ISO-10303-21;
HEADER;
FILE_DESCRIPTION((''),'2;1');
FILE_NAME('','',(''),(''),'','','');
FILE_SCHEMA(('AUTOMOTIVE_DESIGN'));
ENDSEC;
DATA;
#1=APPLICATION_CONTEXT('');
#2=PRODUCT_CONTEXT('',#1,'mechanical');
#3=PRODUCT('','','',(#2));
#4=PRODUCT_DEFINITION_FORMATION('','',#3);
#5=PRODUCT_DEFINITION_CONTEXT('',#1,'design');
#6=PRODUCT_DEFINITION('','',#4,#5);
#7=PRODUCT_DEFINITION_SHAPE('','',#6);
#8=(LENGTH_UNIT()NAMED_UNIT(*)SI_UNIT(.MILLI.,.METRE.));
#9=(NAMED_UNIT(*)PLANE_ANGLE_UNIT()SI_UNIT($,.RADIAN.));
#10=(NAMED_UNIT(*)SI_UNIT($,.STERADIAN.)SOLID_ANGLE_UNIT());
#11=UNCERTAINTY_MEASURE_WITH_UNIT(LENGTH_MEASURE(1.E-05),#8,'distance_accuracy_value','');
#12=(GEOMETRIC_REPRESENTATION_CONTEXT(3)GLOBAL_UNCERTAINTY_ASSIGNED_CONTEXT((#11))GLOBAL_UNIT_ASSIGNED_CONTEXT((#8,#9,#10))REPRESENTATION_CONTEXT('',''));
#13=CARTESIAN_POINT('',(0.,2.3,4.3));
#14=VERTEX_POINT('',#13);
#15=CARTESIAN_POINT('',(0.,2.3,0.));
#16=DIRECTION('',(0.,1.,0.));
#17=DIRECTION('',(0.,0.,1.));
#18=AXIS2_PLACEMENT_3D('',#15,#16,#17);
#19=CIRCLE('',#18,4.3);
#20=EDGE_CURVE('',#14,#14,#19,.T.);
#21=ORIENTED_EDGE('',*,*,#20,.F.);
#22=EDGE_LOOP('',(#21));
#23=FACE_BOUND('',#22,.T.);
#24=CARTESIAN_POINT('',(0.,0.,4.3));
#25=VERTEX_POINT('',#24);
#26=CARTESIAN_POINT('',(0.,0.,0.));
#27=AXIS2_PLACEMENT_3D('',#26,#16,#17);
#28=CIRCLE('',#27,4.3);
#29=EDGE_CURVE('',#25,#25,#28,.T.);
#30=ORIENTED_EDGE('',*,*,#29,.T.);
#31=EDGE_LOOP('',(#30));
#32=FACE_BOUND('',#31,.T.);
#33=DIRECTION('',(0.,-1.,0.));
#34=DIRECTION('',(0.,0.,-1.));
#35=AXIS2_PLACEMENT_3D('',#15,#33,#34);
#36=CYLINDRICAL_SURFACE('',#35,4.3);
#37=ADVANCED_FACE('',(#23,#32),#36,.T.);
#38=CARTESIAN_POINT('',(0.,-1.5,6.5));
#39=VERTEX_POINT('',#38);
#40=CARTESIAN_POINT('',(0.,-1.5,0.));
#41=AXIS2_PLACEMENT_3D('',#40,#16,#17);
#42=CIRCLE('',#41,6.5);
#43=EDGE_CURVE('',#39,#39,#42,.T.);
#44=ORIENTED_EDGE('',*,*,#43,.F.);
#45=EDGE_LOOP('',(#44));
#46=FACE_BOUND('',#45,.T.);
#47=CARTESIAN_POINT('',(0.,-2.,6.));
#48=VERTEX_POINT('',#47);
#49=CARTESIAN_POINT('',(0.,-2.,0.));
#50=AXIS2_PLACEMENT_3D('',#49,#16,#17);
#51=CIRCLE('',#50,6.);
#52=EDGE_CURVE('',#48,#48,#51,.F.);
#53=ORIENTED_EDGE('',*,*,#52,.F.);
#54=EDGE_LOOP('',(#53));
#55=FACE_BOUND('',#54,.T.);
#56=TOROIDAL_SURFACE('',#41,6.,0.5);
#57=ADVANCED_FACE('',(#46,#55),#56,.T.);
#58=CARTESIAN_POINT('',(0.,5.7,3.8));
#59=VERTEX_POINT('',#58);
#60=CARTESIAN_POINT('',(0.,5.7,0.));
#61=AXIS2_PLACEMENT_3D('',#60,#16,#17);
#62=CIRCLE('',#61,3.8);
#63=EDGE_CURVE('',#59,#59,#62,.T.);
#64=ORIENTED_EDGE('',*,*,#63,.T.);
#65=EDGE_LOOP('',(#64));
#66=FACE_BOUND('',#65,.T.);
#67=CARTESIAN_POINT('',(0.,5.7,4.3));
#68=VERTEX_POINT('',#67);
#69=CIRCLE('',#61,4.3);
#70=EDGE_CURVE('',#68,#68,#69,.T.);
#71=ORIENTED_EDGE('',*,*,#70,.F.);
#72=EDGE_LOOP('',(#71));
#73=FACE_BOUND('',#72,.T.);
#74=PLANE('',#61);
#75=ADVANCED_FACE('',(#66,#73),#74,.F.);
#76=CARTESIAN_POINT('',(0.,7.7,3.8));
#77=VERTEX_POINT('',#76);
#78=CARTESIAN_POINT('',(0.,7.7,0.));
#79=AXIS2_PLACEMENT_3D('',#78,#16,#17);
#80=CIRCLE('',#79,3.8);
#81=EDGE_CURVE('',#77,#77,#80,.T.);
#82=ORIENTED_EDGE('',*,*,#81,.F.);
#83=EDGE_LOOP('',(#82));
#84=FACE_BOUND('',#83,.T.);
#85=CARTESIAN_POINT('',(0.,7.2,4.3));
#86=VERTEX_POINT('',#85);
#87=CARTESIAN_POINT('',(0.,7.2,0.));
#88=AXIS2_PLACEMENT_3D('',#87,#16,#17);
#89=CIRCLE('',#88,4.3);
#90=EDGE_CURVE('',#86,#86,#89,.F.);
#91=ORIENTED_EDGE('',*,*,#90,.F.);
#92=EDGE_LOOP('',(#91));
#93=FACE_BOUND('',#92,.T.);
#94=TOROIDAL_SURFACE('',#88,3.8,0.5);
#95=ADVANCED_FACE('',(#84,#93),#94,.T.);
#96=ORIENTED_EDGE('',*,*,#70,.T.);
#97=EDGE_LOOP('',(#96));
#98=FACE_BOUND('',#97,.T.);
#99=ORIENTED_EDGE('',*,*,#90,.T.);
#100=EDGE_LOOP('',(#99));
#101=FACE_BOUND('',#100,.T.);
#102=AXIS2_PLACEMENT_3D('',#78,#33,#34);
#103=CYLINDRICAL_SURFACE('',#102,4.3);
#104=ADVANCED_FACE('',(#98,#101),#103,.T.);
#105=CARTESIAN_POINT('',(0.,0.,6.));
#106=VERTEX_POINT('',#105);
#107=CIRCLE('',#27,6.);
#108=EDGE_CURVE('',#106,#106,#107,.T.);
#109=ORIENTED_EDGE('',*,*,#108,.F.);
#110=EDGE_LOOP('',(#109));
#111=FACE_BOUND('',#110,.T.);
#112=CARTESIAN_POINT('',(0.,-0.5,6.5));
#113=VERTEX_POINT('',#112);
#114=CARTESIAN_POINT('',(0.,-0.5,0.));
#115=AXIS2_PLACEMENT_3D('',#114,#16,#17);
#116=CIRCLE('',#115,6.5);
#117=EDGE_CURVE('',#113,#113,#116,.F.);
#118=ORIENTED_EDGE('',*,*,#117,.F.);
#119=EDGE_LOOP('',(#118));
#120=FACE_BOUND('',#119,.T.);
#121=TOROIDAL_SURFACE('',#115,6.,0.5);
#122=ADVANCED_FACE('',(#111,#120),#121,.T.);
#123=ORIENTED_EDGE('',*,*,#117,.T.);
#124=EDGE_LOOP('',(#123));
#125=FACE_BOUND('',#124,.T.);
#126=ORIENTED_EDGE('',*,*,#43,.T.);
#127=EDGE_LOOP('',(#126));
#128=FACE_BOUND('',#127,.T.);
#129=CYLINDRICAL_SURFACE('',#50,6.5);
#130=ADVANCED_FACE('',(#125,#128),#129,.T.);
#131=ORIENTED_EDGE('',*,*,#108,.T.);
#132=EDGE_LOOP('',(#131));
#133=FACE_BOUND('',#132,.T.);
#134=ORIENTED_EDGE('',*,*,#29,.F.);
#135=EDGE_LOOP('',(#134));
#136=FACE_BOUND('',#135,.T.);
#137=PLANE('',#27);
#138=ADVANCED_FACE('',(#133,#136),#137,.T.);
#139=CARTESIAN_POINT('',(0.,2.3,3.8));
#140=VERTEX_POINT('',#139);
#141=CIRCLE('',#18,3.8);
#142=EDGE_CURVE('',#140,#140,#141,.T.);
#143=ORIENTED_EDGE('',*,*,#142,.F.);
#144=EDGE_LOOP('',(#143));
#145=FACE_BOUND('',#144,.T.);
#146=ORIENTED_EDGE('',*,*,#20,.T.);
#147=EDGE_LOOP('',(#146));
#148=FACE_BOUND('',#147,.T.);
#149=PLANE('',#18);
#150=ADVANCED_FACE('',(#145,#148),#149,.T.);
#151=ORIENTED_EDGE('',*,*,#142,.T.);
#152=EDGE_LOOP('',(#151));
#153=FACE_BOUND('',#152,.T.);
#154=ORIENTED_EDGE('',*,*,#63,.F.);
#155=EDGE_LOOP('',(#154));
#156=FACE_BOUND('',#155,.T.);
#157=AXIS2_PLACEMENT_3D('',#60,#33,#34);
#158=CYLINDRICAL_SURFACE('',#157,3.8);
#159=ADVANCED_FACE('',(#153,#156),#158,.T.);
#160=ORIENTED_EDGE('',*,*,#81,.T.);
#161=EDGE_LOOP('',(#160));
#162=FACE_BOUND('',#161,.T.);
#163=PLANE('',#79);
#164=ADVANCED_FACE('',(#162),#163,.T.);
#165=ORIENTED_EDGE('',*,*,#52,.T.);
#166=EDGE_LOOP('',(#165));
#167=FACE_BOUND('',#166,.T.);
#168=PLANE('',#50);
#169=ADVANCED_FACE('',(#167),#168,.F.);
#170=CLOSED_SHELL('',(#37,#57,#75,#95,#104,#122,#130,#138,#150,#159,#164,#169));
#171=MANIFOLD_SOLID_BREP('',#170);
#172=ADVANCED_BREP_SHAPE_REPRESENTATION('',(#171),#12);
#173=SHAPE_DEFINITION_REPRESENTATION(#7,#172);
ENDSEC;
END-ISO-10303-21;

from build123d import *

# Parameters (mm, degrees)
ESBO_O1_R                = 6.5
RESSALTO_EXTRUS_O1_DEPTH = 2
ESBO_O2_R                = 4.3
RESSALTO_EXTRUS_O2_DEPTH = 2.3
ESBO_O3_R                = 3.8
RESSALTO_EXTRUS_O3_DEPTH = 3.4
ESBO_O4_R                = 4.3
RESSALTO_EXTRUS_O4_DEPTH = 2
FILETE1_R                = 0.5


with BuildPart() as part:
    # Esboço1 → Ressalto-extrusão1 (new body)
    with BuildSketch(Plane(origin=(0, 0, 0), x_dir=(1, 0, 0), z_dir=(0, 1, 0))):
        with Locations(Location((0, 0, 0), (0, 0, 270))):
            Circle(ESBO_O1_R)
    extrude(amount=-RESSALTO_EXTRUS_O1_DEPTH)

    # Esboço2 → Ressalto-extrusão2 (add)
    with BuildSketch(Plane(origin=(0, 0, 0), x_dir=(1, 0, 0), z_dir=(0, 1, 0))):
        with Locations(Location((0, 0, 0), (0, 0, 270))):
            Circle(ESBO_O2_R)
    extrude(amount=RESSALTO_EXTRUS_O2_DEPTH)

    # Esboço3 → Ressalto-extrusão3 (add)
    with BuildSketch(Plane(origin=(0, 2.3, 0), x_dir=(1, 0, 0), z_dir=(0, 1, 0))):
        with Locations(Location((0, 0, 0), (0, 0, 270))):
            Circle(ESBO_O3_R)
    extrude(amount=RESSALTO_EXTRUS_O3_DEPTH)

    # Esboço4 → Ressalto-extrusão4 (add)
    with BuildSketch(Plane(origin=(0, 5.7, 0), x_dir=(1, 0, 0), z_dir=(0, 1, 0))):
        with Locations(Location((0, 0, 0), (0, 0, 270))):
            Circle(ESBO_O4_R)
    extrude(amount=RESSALTO_EXTRUS_O4_DEPTH)

    # Filete1
    filete1_edges = [part.edges().sort_by_distance(p)[0] for p in [
        (0, 7.7, -4.3),
        (0, 0, -6.5),
        (0, -2, -6.5),
    ]]
    fillet(filete1_edges, radius=FILETE1_R)


solid = part.part
